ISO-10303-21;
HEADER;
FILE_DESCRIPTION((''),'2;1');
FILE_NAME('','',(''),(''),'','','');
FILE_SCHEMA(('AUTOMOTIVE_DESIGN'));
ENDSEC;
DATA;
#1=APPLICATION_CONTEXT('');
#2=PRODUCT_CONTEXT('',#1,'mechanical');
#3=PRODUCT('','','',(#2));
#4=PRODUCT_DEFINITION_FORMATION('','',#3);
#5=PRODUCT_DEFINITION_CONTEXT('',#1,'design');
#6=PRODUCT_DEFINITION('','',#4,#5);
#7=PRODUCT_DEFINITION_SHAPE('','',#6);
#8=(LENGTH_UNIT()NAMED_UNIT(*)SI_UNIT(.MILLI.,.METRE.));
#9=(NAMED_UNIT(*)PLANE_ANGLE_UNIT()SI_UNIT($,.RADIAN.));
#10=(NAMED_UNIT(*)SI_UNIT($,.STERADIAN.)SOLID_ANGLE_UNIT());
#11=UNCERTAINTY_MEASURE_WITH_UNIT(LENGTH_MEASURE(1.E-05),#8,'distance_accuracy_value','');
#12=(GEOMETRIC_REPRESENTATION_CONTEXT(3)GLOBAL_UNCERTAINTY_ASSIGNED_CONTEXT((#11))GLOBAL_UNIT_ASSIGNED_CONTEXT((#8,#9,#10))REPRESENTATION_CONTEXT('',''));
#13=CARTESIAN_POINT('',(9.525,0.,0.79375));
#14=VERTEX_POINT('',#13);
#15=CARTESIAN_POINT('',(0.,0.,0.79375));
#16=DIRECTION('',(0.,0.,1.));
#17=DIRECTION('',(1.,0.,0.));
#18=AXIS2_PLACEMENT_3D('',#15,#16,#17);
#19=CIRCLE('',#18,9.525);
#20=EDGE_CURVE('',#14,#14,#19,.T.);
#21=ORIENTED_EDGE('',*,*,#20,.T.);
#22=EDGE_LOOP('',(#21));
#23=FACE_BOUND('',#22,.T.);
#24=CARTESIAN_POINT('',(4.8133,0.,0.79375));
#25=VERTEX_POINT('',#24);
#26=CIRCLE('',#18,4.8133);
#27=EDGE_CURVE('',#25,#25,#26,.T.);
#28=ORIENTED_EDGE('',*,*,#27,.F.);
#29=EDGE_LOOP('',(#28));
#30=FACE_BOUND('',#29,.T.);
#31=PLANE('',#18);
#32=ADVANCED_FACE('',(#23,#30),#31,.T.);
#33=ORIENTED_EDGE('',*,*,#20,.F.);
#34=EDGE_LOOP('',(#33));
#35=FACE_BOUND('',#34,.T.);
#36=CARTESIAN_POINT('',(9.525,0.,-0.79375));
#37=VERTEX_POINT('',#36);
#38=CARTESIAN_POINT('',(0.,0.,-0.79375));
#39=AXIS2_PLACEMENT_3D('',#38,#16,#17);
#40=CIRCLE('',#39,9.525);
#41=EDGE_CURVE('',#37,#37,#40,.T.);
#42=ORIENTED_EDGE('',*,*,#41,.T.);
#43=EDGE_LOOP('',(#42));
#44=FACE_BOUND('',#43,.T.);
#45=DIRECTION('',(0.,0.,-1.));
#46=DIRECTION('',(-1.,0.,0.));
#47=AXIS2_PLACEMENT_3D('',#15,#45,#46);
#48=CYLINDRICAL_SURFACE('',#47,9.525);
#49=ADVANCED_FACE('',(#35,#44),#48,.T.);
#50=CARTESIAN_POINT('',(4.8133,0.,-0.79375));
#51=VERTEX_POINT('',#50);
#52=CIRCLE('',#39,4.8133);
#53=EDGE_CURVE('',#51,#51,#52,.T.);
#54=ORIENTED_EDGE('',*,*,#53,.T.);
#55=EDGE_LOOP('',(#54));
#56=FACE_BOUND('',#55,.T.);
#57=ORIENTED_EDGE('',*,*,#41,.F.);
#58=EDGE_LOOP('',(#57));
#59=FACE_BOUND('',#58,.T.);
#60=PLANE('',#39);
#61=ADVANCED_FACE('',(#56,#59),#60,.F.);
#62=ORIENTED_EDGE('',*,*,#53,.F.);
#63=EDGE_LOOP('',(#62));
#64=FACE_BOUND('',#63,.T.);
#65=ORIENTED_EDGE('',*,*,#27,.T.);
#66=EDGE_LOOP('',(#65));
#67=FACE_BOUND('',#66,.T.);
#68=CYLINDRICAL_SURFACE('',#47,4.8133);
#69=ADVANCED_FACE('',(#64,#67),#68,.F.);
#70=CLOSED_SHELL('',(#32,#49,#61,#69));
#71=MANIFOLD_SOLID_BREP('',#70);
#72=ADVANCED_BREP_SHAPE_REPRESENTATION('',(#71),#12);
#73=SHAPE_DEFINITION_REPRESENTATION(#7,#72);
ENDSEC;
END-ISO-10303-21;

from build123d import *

# Parameters (mm, degrees)
SKETCH1_R      = 9.525
SKETCH1_R_2    = 4.8133
EXTRUDE1_DEPTH = 0.79375


with BuildPart() as part:
    # Sketch1 → Extrude1 (new body, symmetric)
    with BuildSketch(Plane.XY):
        Circle(SKETCH1_R)
        Circle(SKETCH1_R_2, mode=Mode.SUBTRACT)
    extrude(amount=EXTRUDE1_DEPTH, both=True)


solid = part.part
